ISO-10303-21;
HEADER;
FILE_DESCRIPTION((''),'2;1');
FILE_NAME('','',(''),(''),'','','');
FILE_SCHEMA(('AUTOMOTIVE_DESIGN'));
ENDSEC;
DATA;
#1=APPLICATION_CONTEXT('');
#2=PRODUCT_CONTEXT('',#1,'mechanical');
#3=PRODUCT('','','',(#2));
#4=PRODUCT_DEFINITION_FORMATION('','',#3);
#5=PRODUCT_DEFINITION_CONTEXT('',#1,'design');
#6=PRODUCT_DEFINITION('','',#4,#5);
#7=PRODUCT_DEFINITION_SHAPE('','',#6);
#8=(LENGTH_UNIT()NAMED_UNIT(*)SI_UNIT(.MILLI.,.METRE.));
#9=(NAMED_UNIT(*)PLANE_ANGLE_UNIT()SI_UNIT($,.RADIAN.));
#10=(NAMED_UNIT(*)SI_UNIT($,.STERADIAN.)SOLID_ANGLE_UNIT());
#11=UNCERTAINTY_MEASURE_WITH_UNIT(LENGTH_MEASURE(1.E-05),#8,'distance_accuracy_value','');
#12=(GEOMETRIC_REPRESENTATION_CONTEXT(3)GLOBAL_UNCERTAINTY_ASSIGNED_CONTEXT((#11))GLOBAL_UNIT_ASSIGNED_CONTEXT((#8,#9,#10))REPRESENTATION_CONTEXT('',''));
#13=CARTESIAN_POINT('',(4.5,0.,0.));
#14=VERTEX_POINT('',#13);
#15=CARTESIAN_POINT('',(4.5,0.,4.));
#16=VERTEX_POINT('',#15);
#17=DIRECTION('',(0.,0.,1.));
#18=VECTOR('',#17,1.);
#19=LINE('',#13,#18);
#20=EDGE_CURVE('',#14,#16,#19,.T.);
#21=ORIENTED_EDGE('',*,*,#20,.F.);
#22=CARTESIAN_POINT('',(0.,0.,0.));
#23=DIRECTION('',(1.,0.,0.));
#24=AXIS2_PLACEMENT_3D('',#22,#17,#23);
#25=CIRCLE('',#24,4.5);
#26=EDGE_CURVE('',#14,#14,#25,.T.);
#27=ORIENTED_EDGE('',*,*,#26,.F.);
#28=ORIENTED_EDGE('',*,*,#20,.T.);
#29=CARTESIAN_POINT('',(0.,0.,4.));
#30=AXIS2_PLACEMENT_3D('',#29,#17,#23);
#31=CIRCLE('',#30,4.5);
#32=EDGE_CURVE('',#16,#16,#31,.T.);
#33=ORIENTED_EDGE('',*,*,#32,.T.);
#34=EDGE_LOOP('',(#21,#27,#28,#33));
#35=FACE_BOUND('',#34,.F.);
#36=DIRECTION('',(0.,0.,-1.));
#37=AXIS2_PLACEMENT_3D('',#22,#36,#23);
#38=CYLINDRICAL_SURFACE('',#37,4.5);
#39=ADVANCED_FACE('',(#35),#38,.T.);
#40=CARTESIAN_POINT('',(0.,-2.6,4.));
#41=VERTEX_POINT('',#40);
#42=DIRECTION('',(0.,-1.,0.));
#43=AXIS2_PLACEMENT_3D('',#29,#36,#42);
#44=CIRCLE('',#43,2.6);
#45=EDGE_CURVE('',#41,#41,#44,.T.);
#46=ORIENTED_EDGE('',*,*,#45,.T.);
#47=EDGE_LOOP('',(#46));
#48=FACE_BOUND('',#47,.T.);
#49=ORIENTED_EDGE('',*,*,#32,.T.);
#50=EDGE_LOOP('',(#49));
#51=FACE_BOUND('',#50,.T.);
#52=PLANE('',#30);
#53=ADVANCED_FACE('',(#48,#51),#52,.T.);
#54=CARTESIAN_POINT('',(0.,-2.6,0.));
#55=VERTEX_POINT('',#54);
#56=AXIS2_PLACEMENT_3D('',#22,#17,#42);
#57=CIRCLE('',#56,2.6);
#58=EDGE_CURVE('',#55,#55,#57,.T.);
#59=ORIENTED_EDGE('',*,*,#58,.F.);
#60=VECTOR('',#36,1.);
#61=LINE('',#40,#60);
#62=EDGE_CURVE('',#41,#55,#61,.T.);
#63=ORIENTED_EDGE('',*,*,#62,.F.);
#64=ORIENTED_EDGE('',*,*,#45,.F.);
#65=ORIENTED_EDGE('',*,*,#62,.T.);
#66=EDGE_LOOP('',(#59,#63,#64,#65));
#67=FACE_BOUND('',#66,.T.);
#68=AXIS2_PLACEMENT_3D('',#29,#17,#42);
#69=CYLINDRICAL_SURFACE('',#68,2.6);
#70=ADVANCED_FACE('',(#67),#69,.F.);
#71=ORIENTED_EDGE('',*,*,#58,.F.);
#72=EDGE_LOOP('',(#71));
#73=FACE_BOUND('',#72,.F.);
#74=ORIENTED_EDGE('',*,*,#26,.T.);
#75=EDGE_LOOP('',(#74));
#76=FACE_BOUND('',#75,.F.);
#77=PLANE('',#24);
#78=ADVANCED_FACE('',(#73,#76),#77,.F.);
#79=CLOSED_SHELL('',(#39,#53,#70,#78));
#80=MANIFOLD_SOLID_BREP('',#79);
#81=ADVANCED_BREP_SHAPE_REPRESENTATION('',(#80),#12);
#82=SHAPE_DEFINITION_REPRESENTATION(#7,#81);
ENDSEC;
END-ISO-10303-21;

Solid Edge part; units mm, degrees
sketch "Sketch1" plane through (0, 0, 0) normal (0, 0, 1) x (1, 0, 0)
  circle A0 centre (0, 0) radius 4.5
  dimension "D1" = 9
extrude "Protrusion1" add sketch "Sketch1" along normal blind 4
hole "Hole_1" at (0, 0, 4) direction (0, 0, -1) diameter 5.2 end up to next
properties material "Aluminum, 6061-T6"
